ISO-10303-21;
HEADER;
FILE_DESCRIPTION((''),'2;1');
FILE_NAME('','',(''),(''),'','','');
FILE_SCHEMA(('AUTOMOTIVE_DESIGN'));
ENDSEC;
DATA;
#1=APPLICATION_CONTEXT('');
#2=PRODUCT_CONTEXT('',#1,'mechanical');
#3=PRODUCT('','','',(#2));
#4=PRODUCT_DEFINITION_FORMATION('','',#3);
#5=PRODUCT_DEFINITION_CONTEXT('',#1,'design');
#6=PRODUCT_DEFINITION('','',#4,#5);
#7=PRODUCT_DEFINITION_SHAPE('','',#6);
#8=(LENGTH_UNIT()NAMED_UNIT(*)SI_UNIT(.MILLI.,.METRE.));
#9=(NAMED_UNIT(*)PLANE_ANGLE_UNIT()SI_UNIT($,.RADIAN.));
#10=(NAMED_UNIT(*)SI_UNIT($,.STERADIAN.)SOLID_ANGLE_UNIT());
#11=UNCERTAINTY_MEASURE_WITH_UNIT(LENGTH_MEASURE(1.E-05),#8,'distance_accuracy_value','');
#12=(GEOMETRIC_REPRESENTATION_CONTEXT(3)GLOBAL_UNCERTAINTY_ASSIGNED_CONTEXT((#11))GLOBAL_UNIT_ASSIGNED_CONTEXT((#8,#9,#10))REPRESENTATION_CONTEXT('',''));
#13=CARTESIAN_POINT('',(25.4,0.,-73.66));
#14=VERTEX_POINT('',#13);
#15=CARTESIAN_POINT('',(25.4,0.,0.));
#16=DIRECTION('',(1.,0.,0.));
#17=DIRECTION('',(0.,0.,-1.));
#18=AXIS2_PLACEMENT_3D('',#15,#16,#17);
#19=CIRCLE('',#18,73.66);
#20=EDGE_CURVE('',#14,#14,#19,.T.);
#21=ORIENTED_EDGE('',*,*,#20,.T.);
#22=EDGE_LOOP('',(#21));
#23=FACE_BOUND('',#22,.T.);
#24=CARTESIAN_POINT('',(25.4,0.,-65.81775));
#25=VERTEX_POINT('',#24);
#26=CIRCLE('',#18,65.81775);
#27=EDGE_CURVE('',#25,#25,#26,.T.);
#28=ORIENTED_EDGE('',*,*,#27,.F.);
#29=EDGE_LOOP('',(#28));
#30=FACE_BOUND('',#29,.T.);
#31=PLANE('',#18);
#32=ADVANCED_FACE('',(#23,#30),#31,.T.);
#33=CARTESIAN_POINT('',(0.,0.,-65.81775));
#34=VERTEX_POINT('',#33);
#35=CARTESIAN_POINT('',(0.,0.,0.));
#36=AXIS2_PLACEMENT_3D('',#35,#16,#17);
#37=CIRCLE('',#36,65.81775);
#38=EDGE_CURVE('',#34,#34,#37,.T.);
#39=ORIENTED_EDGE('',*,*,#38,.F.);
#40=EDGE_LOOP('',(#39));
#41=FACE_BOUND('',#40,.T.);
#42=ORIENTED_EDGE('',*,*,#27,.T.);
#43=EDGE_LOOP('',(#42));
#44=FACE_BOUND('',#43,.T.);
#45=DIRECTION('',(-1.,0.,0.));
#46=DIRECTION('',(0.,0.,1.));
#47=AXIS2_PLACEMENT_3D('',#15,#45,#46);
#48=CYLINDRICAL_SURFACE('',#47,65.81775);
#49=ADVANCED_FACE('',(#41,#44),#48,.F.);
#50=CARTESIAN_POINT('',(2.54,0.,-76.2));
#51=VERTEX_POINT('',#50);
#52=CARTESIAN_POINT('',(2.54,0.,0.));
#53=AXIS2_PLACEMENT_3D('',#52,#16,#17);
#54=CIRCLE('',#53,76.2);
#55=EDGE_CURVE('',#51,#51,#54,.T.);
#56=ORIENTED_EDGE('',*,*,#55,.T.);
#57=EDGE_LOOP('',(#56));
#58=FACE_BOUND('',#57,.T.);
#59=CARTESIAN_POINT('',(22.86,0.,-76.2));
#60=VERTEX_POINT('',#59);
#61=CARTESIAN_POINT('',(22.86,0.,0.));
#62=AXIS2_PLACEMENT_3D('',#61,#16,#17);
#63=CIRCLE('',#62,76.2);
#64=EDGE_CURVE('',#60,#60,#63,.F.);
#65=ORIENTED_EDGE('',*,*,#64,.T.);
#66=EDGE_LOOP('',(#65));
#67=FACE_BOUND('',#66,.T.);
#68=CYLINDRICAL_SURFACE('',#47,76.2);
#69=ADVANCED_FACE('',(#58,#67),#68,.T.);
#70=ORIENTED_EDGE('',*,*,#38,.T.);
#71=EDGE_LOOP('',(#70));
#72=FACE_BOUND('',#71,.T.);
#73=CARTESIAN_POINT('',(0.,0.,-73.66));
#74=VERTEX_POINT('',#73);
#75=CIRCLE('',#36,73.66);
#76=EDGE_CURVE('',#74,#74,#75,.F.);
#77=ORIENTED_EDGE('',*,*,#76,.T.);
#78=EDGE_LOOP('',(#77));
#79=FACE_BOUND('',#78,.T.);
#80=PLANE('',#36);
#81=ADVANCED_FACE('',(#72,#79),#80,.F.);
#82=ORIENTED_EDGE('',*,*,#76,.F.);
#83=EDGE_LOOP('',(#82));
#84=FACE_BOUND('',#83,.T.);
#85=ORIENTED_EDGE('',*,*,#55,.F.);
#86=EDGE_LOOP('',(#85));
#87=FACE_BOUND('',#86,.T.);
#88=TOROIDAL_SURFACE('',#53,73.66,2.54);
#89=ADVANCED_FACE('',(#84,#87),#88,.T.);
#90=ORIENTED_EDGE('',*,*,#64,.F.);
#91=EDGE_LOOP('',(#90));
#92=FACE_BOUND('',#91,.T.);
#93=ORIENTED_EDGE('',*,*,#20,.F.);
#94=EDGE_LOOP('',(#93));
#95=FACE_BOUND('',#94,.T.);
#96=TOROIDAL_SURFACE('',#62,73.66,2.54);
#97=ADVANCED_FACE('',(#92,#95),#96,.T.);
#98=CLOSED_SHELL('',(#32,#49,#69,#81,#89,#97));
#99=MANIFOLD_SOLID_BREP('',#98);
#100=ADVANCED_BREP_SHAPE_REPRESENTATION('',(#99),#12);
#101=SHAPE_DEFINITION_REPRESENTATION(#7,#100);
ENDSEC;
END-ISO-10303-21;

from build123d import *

# Parameters (mm, degrees)
SKETCH1_R           = 76.2
SKETCH1_R_2         = 65.81775
BOSS_EXTRUDE1_DEPTH = 25.4
FILLET1_R           = 2.54


with BuildPart() as part:
    # Sketch1 → Boss-Extrude1 (new body)
    with BuildSketch(Plane(origin=(0, 0, 0), x_dir=(0, 0, -1), z_dir=(1, 0, 0))):
        Circle(SKETCH1_R)
        Circle(SKETCH1_R_2, mode=Mode.SUBTRACT)
    extrude(amount=BOSS_EXTRUDE1_DEPTH)

    # Fillet1
    fillet1_edges = [part.edges().sort_by_distance(p)[0] for p in [
        (0, 0, 76.2),
        (25.4, 0, 76.2),
    ]]
    fillet(fillet1_edges, radius=FILLET1_R)


solid = part.part
